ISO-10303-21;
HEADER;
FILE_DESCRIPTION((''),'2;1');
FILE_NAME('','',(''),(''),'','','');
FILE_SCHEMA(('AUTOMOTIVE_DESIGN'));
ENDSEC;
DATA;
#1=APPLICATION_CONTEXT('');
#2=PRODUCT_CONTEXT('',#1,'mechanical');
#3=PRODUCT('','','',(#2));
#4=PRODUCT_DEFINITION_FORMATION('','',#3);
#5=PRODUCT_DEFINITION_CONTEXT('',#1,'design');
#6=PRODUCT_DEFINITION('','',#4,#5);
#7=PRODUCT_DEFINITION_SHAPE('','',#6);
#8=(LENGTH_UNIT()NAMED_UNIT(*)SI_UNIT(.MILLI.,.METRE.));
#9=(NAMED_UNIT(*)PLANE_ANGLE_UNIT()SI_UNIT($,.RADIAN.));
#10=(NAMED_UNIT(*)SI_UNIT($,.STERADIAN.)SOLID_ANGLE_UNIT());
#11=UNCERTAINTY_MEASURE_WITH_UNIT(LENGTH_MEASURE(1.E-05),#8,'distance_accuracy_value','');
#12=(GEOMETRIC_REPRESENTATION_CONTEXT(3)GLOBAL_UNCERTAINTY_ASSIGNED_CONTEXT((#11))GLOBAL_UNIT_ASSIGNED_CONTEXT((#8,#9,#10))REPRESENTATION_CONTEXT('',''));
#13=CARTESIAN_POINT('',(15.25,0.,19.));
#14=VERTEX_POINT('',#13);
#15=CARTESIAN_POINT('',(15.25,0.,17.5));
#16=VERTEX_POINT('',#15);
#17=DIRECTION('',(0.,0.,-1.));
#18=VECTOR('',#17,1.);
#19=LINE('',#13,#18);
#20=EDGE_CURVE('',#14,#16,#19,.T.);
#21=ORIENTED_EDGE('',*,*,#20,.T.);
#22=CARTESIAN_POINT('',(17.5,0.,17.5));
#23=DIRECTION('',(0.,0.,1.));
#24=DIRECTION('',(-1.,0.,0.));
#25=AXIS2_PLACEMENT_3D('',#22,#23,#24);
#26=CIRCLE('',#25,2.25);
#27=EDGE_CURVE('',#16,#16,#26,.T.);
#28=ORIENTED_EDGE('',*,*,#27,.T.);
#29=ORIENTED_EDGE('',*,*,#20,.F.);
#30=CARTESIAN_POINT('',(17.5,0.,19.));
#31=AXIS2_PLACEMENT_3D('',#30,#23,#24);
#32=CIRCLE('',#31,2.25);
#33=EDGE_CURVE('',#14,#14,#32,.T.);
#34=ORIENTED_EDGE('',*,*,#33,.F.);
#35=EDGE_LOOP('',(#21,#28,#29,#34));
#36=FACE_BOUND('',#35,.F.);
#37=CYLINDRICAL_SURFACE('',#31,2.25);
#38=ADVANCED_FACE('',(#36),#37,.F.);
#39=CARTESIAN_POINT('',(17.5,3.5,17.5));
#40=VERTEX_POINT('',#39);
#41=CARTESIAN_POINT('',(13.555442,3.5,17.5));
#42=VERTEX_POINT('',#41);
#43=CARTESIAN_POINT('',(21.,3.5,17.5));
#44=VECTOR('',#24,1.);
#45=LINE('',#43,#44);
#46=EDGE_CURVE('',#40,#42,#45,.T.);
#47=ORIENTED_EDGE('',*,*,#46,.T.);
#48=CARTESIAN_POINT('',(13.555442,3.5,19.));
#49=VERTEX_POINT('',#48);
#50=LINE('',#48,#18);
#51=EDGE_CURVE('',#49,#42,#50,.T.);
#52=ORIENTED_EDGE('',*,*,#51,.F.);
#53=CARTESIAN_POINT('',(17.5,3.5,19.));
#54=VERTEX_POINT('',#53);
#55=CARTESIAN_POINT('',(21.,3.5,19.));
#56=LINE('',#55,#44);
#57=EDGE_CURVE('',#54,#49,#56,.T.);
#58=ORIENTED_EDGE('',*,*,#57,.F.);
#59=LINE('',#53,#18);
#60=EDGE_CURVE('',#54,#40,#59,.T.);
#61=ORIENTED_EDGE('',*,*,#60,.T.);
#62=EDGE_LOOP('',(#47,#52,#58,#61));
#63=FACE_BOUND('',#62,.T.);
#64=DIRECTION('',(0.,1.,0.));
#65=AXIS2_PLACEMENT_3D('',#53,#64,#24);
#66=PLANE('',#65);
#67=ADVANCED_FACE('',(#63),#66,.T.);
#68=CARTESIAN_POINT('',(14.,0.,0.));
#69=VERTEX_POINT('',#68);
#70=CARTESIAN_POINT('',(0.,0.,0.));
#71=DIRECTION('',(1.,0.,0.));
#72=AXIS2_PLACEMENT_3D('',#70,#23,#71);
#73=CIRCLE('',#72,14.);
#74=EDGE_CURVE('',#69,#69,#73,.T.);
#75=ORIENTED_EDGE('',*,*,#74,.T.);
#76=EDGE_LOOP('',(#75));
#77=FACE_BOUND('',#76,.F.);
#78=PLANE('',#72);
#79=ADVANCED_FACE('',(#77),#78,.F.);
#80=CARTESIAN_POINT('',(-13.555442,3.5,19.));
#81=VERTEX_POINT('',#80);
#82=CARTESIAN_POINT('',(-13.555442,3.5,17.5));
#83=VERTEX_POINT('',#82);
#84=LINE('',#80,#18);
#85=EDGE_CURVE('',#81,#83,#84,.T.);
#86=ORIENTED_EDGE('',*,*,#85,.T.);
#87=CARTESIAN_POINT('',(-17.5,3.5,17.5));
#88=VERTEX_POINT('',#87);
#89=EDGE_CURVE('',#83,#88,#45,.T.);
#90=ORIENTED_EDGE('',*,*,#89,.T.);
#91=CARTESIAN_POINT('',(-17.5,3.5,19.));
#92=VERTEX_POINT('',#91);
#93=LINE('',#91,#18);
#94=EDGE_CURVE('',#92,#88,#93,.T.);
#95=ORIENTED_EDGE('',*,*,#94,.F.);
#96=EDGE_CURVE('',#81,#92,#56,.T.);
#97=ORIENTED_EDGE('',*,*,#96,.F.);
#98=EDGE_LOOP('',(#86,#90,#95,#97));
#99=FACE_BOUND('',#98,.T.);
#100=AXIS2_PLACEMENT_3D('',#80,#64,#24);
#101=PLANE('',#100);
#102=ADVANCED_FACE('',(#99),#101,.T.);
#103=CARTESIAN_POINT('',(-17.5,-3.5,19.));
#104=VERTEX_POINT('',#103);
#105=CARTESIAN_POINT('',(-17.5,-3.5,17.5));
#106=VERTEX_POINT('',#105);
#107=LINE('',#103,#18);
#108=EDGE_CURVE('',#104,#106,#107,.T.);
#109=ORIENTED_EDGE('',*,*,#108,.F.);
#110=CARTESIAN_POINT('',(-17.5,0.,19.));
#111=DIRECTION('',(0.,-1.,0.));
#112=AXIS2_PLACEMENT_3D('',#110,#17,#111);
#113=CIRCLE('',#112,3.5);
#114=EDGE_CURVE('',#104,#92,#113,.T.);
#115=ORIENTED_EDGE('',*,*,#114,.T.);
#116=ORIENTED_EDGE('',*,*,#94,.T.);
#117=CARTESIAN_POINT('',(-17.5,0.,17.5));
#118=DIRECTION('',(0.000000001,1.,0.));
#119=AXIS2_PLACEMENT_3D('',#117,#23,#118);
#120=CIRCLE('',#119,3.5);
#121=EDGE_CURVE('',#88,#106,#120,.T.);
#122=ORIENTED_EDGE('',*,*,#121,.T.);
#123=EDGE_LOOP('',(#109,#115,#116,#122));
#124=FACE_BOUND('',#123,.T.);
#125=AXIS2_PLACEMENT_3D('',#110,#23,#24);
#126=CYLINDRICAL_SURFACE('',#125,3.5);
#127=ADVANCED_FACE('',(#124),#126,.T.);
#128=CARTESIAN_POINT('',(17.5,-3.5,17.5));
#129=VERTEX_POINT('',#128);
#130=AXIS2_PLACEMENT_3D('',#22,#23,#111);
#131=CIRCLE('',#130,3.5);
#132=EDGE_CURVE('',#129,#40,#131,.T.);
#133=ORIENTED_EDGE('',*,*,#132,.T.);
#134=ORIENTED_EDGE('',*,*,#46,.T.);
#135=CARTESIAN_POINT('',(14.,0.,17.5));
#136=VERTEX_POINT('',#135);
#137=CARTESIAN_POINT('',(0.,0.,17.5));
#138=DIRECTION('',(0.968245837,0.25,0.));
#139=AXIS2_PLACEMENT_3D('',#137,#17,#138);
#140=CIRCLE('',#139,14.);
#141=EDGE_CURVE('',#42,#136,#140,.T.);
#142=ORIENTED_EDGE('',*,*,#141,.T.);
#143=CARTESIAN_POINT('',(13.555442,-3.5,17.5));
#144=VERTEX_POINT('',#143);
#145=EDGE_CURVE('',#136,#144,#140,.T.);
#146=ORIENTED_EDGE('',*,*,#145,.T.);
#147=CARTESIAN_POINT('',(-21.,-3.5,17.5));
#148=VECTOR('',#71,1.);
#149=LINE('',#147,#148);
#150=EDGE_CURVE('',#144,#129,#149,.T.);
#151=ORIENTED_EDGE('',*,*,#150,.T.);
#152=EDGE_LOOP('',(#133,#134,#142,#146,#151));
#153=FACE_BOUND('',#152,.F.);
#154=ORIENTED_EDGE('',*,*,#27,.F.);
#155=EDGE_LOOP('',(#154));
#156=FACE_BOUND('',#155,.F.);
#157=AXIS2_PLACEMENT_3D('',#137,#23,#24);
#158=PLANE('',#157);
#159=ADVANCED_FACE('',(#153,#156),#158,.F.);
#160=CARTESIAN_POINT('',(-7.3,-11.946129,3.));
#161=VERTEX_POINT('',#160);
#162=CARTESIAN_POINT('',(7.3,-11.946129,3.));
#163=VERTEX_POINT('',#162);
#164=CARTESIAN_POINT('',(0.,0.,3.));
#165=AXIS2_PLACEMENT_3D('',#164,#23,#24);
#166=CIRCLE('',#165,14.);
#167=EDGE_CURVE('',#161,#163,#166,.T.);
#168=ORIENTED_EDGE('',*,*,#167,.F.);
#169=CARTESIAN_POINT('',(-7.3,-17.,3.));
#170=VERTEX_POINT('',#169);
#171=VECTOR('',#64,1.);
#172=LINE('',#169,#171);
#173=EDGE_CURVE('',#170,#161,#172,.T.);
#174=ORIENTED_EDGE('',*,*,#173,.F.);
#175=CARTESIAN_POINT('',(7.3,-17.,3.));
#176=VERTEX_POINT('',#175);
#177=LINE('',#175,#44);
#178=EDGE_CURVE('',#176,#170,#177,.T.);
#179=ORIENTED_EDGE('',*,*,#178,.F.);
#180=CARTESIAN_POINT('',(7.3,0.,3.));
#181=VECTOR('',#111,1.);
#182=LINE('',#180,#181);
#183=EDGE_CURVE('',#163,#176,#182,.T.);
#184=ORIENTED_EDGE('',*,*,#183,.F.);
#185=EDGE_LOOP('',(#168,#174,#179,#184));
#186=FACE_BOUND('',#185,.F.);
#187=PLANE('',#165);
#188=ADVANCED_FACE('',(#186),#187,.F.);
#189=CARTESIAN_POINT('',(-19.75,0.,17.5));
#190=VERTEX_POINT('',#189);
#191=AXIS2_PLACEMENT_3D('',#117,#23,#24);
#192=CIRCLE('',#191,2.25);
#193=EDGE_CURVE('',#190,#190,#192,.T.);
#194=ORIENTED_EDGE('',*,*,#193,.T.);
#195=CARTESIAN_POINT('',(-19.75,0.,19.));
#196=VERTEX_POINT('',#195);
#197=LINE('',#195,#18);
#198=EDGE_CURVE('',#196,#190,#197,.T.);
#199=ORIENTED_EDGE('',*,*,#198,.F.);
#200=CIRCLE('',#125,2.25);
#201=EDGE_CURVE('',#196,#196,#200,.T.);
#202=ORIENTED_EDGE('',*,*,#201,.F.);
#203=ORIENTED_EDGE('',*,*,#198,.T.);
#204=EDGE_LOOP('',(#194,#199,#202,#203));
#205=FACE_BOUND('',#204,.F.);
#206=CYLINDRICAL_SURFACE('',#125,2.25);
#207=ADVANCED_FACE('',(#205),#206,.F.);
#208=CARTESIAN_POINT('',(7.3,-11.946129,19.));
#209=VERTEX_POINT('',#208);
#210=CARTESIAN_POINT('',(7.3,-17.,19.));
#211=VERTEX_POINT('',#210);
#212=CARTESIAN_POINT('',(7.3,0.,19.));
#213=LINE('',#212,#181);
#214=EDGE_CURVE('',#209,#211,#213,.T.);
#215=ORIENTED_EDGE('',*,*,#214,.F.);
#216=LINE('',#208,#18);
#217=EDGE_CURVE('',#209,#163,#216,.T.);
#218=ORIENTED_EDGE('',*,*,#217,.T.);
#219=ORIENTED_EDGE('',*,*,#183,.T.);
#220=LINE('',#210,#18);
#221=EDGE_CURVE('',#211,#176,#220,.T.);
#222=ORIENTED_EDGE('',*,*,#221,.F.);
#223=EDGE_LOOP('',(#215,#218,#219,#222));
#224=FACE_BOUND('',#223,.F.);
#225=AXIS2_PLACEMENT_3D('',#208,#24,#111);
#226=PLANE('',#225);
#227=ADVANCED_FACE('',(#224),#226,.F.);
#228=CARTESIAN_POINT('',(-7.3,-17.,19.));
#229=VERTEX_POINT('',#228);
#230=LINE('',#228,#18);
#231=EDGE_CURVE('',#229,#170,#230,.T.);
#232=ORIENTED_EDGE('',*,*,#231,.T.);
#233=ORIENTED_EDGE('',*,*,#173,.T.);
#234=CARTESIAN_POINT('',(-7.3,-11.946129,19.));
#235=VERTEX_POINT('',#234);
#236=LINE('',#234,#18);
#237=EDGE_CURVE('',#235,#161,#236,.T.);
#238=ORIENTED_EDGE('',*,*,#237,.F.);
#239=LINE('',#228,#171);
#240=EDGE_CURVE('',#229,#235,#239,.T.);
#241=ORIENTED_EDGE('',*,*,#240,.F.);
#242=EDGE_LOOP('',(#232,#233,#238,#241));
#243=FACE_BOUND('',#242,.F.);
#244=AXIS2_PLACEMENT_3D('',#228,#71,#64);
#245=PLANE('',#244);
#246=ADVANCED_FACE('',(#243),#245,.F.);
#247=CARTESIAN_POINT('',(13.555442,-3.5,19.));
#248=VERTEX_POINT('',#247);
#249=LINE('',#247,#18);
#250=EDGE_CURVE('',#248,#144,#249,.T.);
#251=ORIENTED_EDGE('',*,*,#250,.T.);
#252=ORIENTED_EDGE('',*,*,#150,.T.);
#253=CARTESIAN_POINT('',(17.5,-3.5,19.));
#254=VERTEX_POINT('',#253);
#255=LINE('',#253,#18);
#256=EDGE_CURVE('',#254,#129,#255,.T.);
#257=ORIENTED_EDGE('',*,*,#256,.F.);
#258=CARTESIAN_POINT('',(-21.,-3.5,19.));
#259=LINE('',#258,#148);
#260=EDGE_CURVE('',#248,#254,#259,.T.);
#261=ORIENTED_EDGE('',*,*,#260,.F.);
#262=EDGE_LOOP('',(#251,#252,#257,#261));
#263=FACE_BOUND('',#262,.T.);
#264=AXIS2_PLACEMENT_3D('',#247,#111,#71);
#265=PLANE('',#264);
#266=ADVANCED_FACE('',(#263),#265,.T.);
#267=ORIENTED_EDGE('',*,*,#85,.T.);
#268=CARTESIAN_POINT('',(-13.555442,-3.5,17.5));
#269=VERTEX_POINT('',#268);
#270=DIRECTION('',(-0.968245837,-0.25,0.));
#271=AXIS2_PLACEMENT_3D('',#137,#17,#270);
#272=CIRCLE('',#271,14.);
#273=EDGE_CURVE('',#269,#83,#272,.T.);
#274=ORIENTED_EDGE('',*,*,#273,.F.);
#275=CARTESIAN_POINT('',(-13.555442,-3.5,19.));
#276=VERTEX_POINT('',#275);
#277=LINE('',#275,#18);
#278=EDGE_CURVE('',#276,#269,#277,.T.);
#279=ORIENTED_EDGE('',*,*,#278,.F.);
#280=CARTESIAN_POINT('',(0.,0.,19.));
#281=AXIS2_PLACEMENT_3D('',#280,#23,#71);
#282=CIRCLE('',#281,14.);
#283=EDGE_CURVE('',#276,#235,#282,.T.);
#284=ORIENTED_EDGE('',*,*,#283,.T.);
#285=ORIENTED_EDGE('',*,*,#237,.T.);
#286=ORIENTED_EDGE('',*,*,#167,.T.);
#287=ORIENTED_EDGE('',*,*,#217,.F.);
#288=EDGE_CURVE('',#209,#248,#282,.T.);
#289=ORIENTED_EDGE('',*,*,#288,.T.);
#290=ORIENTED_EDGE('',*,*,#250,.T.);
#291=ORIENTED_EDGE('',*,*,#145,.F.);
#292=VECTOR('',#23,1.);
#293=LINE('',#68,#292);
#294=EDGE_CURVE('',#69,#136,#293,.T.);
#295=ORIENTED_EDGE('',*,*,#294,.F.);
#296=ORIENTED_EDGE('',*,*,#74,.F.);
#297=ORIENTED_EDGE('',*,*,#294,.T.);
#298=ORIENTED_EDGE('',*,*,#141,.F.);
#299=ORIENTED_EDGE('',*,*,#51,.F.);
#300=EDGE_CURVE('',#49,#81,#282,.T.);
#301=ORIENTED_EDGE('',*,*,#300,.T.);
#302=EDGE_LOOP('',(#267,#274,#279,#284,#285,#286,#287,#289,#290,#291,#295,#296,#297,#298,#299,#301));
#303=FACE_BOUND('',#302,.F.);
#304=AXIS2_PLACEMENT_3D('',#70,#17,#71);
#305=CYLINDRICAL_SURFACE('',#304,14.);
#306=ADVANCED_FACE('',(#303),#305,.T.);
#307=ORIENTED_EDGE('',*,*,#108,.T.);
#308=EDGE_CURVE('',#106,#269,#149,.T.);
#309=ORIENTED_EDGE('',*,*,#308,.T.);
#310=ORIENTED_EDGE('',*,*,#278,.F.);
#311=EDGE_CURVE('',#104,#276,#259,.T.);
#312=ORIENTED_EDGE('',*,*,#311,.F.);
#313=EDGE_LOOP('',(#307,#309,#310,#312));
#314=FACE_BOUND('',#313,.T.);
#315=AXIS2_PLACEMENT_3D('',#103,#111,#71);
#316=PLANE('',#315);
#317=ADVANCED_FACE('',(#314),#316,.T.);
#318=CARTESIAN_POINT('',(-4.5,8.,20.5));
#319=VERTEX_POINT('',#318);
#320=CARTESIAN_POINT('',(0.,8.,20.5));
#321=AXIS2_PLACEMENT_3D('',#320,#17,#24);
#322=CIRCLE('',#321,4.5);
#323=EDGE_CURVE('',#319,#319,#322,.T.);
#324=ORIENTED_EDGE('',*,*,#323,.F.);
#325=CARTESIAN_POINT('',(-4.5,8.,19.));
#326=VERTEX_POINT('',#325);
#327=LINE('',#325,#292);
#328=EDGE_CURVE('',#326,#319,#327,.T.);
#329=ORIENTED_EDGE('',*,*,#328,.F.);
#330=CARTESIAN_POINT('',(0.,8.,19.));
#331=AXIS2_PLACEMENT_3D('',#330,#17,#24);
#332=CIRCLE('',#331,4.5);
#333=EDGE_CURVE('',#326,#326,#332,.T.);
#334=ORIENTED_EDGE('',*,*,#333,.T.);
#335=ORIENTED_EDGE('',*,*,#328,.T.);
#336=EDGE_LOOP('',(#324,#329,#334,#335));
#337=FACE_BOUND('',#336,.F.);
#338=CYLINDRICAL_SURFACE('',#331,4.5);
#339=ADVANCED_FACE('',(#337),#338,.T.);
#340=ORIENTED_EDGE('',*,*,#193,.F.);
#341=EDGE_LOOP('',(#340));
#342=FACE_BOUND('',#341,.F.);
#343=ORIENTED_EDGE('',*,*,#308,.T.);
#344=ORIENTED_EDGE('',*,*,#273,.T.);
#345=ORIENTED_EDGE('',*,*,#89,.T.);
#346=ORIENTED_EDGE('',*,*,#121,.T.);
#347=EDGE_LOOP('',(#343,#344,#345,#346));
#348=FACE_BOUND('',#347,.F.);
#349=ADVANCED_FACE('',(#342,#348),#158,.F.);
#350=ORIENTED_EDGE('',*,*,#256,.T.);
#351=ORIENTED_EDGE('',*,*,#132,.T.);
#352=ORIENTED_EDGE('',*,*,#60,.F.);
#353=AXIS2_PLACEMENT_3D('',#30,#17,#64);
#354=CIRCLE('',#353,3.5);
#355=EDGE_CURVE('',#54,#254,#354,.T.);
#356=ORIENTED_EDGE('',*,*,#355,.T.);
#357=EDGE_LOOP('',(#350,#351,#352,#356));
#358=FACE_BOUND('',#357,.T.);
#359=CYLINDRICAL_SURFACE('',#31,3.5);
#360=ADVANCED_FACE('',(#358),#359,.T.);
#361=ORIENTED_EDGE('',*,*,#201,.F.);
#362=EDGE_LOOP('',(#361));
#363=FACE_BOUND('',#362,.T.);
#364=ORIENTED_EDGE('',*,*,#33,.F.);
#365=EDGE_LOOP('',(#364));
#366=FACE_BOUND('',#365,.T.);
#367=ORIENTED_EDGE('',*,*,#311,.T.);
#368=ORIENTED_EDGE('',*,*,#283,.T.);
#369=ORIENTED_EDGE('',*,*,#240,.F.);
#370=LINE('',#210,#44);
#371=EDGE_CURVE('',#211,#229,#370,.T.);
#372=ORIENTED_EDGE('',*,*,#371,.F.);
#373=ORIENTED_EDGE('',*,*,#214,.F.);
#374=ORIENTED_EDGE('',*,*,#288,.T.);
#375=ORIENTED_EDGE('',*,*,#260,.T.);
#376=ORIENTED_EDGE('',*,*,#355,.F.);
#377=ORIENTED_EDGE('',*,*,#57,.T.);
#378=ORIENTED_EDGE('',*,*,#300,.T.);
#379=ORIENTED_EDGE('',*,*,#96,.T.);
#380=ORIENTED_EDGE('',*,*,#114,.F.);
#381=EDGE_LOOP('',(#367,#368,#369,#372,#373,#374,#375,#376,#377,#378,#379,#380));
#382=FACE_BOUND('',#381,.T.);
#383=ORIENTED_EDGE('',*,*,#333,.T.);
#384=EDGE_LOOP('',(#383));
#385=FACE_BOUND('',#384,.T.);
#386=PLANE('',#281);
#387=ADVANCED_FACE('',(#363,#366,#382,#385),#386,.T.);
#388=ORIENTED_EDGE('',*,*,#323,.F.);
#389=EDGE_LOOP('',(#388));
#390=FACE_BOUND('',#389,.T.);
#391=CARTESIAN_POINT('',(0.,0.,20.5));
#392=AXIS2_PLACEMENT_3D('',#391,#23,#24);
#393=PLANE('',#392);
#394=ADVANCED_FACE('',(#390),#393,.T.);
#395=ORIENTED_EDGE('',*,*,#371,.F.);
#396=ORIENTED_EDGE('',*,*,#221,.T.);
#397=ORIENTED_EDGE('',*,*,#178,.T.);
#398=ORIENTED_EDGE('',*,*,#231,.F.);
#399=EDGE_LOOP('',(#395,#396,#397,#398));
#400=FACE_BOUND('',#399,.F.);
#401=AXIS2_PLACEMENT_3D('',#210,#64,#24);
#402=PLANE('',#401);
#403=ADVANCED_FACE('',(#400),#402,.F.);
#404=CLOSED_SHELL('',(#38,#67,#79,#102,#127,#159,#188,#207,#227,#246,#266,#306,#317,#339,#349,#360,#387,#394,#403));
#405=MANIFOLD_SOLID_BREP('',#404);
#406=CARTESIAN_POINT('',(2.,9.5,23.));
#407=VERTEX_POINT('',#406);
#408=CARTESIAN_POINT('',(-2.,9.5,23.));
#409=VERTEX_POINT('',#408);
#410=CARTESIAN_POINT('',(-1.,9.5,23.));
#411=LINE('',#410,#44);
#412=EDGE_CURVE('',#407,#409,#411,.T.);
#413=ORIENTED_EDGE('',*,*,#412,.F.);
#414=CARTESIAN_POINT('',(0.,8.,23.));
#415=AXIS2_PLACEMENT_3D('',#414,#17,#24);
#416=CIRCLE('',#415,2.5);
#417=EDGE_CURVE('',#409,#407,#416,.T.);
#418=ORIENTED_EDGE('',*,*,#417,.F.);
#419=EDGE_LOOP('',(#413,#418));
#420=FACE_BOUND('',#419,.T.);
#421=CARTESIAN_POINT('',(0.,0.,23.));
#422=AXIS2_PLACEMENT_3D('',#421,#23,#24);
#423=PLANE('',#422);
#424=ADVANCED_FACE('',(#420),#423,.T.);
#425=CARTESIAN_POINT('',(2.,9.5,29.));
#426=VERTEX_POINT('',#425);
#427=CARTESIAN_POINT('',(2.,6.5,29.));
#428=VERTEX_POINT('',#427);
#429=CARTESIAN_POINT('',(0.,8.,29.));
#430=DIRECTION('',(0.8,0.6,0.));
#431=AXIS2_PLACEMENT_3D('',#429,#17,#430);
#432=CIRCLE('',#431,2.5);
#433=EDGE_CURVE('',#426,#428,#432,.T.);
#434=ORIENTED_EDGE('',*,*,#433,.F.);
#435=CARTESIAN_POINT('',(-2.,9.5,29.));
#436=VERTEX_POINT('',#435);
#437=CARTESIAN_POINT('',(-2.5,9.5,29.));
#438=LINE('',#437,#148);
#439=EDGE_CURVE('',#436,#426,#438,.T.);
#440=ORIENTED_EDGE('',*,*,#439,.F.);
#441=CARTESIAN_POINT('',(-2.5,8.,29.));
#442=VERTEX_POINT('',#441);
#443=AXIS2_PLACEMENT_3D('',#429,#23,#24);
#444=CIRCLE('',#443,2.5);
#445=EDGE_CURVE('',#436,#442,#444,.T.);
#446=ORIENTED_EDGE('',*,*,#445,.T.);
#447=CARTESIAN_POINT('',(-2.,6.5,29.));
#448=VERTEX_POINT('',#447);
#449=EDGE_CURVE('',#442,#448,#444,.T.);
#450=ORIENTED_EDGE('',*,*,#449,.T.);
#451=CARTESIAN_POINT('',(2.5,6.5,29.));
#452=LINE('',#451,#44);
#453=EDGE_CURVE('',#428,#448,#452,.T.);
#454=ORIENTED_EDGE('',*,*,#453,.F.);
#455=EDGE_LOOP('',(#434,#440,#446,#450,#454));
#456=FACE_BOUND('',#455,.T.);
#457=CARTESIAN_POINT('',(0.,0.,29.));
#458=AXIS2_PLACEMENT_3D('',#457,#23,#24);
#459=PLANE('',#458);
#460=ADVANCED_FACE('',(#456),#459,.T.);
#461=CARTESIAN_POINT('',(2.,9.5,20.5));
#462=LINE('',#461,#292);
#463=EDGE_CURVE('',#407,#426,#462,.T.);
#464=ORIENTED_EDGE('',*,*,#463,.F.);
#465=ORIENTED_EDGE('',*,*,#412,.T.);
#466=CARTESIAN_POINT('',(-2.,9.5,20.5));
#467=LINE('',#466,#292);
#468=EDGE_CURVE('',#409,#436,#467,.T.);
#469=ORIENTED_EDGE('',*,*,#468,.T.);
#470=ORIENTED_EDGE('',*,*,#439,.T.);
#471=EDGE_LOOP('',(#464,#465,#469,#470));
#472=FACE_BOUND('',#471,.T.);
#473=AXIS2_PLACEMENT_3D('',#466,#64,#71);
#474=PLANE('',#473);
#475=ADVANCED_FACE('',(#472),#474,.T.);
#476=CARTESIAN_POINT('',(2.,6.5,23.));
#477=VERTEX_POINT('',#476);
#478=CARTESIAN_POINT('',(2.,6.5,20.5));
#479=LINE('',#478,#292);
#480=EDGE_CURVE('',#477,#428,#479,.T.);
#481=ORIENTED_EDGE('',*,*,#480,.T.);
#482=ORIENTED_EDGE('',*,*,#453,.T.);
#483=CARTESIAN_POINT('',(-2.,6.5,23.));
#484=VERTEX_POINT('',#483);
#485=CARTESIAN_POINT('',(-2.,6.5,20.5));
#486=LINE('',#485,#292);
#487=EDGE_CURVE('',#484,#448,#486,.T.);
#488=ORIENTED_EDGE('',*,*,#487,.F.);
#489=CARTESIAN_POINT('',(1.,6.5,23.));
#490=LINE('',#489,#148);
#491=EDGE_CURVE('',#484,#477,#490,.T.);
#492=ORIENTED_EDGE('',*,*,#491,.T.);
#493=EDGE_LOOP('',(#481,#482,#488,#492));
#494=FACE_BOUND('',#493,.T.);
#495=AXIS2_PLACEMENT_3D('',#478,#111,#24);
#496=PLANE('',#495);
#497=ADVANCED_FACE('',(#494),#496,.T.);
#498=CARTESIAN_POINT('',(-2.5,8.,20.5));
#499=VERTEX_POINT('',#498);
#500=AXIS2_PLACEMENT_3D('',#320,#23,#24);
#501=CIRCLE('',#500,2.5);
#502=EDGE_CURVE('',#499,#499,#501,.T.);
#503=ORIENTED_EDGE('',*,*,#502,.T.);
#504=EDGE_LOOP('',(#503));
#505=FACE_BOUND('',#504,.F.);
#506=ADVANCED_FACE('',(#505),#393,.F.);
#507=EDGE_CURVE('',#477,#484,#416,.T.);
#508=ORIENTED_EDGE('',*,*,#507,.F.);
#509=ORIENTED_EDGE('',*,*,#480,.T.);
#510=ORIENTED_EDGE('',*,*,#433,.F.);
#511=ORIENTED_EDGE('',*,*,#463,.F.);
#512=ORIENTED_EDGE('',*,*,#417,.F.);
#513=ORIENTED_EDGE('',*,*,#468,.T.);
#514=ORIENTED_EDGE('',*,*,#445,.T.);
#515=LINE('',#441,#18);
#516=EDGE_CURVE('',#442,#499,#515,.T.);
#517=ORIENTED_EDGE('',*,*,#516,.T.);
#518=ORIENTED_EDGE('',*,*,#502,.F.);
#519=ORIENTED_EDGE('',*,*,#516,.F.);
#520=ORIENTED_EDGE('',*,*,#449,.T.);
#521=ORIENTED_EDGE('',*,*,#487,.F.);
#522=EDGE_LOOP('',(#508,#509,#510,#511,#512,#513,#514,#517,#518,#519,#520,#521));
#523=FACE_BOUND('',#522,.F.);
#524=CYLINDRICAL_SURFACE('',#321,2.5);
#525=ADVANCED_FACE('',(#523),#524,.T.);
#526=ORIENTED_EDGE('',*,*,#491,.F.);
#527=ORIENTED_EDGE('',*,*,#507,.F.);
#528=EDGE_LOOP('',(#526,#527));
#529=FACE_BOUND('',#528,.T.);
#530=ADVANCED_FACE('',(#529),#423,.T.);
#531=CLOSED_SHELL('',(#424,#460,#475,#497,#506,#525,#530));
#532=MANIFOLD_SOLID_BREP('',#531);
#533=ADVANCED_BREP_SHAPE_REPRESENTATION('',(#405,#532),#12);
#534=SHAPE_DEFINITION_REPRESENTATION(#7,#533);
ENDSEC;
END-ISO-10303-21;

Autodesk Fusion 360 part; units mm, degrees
sketch "Sketch1" plane through (0, 0, 0) normal (0, 0, 1) x (1, 0, 0)
  circle A0 centre (0, 0) radius 14
  dimension "d151" = 28
extrude "Extrude1" add sketch "Sketch1" along normal blind 19 makes body 1
sketch "Sketch6" plane through (0, 0, 19) normal (0, 0, 1) x (-1, 0, 0)
  circle A0 centre (0, 0) radius 14
  circle A1 centre (0, -8) radius 4.5
  line L0 (-21, -3.5) -> (21, -3.5)
  line L1 (21, -3.5) -> (21, 3.5)
  line L2 (21, 3.5) -> (-21, 3.5)
  line L3 (-21, 3.5) -> (-21, -3.5)
  line L4 (-21, -3.5) -> (21, 3.5) construction
  line L5 (21, -3.5) -> (-21, 3.5) construction
  circle A2 centre (17.5, 0) radius 3.5
  circle A3 centre (17.5, 0) radius 2.25
  line L6 (0, 0) -> (0, -17) construction
  circle A4 centre (-17.5, 0) radius 3.5
  circle A5 centre (-17.5, 0) radius 2.25
  line L7 (7.3, 0) -> (-7.3, 0)
  line L8 (-7.3, 0) -> (-7.3, 17)
  line L9 (-7.3, 17) -> (7.3, 17)
  line L10 (7.3, 17) -> (7.3, 0)
  dimension "d563" = 9
  dimension "d564" = 8
  dimension "d565" = 7
  dimension "d566" = 4.5
  dimension "d567" = 35
  dimension "d581" = 17
  dimension "d582" = 14.6
extrude "Extrude6" add sketch "Sketch6" along normal blind 1.5 contours A1 bodies 1
sketch "Sketch7" plane through (0, 0, 20.5) normal (0, 0, 1) x (-1, 0, 0)
  circle A0 centre (0, -8) radius 4.5
  circle A1 centre (0, -8) radius 2.5
  line L0 (2.5, -9.5) -> (-2.5, -9.5)
  line L1 (-2.5, -9.5) -> (-2.5, -6.5)
  line L2 (-2.5, -6.5) -> (2.5, -6.5)
  line L3 (2.5, -6.5) -> (2.5, -9.5)
  line L4 (2.5, -9.5) -> (-2.5, -6.5) construction
  line L5 (2.5, -6.5) -> (-2.5, -9.5) construction
  circle A2 centre (0, -8) radius 3.5
  dimension "d570" = 5
  dimension "d571" = 3
  dimension "d679" = 1
extrude "Extrude9" add sketch "Sketch6" against normal blind 1.5 contours A0 L0 A2 | A0 L2 A2 | A2 | A0 L0 A4 | A0 L2 A4 | A4 bodies 1
extrude "Extrude10" add sketch "Sketch6" against normal blind 16 contours A0 L8 L9 L10 bodies 1
extrude "Extrude1'" add sketch "Sketch7" along normal blind 2.5 separate body contours A1 L0 L2 | A1 L2 | A1 L0 makes body 2 in component "Axis"
extrude "Extrude2" add sketch "Sketch7" along normal up to surface (8.5 mm away) contours A1 L0 L2 bodies 2 in component "Axis"
component "Axis" placed x (1, 0, 0) y (0, 1, 0) z (0, 0, 1) at (0, 0, 0)
equation "d151 = motor_diameter"
equation "d152 = motor_heigth"
equation "motor_diameter = 28 mm"
equation "motor_heigth = 19 mm"
